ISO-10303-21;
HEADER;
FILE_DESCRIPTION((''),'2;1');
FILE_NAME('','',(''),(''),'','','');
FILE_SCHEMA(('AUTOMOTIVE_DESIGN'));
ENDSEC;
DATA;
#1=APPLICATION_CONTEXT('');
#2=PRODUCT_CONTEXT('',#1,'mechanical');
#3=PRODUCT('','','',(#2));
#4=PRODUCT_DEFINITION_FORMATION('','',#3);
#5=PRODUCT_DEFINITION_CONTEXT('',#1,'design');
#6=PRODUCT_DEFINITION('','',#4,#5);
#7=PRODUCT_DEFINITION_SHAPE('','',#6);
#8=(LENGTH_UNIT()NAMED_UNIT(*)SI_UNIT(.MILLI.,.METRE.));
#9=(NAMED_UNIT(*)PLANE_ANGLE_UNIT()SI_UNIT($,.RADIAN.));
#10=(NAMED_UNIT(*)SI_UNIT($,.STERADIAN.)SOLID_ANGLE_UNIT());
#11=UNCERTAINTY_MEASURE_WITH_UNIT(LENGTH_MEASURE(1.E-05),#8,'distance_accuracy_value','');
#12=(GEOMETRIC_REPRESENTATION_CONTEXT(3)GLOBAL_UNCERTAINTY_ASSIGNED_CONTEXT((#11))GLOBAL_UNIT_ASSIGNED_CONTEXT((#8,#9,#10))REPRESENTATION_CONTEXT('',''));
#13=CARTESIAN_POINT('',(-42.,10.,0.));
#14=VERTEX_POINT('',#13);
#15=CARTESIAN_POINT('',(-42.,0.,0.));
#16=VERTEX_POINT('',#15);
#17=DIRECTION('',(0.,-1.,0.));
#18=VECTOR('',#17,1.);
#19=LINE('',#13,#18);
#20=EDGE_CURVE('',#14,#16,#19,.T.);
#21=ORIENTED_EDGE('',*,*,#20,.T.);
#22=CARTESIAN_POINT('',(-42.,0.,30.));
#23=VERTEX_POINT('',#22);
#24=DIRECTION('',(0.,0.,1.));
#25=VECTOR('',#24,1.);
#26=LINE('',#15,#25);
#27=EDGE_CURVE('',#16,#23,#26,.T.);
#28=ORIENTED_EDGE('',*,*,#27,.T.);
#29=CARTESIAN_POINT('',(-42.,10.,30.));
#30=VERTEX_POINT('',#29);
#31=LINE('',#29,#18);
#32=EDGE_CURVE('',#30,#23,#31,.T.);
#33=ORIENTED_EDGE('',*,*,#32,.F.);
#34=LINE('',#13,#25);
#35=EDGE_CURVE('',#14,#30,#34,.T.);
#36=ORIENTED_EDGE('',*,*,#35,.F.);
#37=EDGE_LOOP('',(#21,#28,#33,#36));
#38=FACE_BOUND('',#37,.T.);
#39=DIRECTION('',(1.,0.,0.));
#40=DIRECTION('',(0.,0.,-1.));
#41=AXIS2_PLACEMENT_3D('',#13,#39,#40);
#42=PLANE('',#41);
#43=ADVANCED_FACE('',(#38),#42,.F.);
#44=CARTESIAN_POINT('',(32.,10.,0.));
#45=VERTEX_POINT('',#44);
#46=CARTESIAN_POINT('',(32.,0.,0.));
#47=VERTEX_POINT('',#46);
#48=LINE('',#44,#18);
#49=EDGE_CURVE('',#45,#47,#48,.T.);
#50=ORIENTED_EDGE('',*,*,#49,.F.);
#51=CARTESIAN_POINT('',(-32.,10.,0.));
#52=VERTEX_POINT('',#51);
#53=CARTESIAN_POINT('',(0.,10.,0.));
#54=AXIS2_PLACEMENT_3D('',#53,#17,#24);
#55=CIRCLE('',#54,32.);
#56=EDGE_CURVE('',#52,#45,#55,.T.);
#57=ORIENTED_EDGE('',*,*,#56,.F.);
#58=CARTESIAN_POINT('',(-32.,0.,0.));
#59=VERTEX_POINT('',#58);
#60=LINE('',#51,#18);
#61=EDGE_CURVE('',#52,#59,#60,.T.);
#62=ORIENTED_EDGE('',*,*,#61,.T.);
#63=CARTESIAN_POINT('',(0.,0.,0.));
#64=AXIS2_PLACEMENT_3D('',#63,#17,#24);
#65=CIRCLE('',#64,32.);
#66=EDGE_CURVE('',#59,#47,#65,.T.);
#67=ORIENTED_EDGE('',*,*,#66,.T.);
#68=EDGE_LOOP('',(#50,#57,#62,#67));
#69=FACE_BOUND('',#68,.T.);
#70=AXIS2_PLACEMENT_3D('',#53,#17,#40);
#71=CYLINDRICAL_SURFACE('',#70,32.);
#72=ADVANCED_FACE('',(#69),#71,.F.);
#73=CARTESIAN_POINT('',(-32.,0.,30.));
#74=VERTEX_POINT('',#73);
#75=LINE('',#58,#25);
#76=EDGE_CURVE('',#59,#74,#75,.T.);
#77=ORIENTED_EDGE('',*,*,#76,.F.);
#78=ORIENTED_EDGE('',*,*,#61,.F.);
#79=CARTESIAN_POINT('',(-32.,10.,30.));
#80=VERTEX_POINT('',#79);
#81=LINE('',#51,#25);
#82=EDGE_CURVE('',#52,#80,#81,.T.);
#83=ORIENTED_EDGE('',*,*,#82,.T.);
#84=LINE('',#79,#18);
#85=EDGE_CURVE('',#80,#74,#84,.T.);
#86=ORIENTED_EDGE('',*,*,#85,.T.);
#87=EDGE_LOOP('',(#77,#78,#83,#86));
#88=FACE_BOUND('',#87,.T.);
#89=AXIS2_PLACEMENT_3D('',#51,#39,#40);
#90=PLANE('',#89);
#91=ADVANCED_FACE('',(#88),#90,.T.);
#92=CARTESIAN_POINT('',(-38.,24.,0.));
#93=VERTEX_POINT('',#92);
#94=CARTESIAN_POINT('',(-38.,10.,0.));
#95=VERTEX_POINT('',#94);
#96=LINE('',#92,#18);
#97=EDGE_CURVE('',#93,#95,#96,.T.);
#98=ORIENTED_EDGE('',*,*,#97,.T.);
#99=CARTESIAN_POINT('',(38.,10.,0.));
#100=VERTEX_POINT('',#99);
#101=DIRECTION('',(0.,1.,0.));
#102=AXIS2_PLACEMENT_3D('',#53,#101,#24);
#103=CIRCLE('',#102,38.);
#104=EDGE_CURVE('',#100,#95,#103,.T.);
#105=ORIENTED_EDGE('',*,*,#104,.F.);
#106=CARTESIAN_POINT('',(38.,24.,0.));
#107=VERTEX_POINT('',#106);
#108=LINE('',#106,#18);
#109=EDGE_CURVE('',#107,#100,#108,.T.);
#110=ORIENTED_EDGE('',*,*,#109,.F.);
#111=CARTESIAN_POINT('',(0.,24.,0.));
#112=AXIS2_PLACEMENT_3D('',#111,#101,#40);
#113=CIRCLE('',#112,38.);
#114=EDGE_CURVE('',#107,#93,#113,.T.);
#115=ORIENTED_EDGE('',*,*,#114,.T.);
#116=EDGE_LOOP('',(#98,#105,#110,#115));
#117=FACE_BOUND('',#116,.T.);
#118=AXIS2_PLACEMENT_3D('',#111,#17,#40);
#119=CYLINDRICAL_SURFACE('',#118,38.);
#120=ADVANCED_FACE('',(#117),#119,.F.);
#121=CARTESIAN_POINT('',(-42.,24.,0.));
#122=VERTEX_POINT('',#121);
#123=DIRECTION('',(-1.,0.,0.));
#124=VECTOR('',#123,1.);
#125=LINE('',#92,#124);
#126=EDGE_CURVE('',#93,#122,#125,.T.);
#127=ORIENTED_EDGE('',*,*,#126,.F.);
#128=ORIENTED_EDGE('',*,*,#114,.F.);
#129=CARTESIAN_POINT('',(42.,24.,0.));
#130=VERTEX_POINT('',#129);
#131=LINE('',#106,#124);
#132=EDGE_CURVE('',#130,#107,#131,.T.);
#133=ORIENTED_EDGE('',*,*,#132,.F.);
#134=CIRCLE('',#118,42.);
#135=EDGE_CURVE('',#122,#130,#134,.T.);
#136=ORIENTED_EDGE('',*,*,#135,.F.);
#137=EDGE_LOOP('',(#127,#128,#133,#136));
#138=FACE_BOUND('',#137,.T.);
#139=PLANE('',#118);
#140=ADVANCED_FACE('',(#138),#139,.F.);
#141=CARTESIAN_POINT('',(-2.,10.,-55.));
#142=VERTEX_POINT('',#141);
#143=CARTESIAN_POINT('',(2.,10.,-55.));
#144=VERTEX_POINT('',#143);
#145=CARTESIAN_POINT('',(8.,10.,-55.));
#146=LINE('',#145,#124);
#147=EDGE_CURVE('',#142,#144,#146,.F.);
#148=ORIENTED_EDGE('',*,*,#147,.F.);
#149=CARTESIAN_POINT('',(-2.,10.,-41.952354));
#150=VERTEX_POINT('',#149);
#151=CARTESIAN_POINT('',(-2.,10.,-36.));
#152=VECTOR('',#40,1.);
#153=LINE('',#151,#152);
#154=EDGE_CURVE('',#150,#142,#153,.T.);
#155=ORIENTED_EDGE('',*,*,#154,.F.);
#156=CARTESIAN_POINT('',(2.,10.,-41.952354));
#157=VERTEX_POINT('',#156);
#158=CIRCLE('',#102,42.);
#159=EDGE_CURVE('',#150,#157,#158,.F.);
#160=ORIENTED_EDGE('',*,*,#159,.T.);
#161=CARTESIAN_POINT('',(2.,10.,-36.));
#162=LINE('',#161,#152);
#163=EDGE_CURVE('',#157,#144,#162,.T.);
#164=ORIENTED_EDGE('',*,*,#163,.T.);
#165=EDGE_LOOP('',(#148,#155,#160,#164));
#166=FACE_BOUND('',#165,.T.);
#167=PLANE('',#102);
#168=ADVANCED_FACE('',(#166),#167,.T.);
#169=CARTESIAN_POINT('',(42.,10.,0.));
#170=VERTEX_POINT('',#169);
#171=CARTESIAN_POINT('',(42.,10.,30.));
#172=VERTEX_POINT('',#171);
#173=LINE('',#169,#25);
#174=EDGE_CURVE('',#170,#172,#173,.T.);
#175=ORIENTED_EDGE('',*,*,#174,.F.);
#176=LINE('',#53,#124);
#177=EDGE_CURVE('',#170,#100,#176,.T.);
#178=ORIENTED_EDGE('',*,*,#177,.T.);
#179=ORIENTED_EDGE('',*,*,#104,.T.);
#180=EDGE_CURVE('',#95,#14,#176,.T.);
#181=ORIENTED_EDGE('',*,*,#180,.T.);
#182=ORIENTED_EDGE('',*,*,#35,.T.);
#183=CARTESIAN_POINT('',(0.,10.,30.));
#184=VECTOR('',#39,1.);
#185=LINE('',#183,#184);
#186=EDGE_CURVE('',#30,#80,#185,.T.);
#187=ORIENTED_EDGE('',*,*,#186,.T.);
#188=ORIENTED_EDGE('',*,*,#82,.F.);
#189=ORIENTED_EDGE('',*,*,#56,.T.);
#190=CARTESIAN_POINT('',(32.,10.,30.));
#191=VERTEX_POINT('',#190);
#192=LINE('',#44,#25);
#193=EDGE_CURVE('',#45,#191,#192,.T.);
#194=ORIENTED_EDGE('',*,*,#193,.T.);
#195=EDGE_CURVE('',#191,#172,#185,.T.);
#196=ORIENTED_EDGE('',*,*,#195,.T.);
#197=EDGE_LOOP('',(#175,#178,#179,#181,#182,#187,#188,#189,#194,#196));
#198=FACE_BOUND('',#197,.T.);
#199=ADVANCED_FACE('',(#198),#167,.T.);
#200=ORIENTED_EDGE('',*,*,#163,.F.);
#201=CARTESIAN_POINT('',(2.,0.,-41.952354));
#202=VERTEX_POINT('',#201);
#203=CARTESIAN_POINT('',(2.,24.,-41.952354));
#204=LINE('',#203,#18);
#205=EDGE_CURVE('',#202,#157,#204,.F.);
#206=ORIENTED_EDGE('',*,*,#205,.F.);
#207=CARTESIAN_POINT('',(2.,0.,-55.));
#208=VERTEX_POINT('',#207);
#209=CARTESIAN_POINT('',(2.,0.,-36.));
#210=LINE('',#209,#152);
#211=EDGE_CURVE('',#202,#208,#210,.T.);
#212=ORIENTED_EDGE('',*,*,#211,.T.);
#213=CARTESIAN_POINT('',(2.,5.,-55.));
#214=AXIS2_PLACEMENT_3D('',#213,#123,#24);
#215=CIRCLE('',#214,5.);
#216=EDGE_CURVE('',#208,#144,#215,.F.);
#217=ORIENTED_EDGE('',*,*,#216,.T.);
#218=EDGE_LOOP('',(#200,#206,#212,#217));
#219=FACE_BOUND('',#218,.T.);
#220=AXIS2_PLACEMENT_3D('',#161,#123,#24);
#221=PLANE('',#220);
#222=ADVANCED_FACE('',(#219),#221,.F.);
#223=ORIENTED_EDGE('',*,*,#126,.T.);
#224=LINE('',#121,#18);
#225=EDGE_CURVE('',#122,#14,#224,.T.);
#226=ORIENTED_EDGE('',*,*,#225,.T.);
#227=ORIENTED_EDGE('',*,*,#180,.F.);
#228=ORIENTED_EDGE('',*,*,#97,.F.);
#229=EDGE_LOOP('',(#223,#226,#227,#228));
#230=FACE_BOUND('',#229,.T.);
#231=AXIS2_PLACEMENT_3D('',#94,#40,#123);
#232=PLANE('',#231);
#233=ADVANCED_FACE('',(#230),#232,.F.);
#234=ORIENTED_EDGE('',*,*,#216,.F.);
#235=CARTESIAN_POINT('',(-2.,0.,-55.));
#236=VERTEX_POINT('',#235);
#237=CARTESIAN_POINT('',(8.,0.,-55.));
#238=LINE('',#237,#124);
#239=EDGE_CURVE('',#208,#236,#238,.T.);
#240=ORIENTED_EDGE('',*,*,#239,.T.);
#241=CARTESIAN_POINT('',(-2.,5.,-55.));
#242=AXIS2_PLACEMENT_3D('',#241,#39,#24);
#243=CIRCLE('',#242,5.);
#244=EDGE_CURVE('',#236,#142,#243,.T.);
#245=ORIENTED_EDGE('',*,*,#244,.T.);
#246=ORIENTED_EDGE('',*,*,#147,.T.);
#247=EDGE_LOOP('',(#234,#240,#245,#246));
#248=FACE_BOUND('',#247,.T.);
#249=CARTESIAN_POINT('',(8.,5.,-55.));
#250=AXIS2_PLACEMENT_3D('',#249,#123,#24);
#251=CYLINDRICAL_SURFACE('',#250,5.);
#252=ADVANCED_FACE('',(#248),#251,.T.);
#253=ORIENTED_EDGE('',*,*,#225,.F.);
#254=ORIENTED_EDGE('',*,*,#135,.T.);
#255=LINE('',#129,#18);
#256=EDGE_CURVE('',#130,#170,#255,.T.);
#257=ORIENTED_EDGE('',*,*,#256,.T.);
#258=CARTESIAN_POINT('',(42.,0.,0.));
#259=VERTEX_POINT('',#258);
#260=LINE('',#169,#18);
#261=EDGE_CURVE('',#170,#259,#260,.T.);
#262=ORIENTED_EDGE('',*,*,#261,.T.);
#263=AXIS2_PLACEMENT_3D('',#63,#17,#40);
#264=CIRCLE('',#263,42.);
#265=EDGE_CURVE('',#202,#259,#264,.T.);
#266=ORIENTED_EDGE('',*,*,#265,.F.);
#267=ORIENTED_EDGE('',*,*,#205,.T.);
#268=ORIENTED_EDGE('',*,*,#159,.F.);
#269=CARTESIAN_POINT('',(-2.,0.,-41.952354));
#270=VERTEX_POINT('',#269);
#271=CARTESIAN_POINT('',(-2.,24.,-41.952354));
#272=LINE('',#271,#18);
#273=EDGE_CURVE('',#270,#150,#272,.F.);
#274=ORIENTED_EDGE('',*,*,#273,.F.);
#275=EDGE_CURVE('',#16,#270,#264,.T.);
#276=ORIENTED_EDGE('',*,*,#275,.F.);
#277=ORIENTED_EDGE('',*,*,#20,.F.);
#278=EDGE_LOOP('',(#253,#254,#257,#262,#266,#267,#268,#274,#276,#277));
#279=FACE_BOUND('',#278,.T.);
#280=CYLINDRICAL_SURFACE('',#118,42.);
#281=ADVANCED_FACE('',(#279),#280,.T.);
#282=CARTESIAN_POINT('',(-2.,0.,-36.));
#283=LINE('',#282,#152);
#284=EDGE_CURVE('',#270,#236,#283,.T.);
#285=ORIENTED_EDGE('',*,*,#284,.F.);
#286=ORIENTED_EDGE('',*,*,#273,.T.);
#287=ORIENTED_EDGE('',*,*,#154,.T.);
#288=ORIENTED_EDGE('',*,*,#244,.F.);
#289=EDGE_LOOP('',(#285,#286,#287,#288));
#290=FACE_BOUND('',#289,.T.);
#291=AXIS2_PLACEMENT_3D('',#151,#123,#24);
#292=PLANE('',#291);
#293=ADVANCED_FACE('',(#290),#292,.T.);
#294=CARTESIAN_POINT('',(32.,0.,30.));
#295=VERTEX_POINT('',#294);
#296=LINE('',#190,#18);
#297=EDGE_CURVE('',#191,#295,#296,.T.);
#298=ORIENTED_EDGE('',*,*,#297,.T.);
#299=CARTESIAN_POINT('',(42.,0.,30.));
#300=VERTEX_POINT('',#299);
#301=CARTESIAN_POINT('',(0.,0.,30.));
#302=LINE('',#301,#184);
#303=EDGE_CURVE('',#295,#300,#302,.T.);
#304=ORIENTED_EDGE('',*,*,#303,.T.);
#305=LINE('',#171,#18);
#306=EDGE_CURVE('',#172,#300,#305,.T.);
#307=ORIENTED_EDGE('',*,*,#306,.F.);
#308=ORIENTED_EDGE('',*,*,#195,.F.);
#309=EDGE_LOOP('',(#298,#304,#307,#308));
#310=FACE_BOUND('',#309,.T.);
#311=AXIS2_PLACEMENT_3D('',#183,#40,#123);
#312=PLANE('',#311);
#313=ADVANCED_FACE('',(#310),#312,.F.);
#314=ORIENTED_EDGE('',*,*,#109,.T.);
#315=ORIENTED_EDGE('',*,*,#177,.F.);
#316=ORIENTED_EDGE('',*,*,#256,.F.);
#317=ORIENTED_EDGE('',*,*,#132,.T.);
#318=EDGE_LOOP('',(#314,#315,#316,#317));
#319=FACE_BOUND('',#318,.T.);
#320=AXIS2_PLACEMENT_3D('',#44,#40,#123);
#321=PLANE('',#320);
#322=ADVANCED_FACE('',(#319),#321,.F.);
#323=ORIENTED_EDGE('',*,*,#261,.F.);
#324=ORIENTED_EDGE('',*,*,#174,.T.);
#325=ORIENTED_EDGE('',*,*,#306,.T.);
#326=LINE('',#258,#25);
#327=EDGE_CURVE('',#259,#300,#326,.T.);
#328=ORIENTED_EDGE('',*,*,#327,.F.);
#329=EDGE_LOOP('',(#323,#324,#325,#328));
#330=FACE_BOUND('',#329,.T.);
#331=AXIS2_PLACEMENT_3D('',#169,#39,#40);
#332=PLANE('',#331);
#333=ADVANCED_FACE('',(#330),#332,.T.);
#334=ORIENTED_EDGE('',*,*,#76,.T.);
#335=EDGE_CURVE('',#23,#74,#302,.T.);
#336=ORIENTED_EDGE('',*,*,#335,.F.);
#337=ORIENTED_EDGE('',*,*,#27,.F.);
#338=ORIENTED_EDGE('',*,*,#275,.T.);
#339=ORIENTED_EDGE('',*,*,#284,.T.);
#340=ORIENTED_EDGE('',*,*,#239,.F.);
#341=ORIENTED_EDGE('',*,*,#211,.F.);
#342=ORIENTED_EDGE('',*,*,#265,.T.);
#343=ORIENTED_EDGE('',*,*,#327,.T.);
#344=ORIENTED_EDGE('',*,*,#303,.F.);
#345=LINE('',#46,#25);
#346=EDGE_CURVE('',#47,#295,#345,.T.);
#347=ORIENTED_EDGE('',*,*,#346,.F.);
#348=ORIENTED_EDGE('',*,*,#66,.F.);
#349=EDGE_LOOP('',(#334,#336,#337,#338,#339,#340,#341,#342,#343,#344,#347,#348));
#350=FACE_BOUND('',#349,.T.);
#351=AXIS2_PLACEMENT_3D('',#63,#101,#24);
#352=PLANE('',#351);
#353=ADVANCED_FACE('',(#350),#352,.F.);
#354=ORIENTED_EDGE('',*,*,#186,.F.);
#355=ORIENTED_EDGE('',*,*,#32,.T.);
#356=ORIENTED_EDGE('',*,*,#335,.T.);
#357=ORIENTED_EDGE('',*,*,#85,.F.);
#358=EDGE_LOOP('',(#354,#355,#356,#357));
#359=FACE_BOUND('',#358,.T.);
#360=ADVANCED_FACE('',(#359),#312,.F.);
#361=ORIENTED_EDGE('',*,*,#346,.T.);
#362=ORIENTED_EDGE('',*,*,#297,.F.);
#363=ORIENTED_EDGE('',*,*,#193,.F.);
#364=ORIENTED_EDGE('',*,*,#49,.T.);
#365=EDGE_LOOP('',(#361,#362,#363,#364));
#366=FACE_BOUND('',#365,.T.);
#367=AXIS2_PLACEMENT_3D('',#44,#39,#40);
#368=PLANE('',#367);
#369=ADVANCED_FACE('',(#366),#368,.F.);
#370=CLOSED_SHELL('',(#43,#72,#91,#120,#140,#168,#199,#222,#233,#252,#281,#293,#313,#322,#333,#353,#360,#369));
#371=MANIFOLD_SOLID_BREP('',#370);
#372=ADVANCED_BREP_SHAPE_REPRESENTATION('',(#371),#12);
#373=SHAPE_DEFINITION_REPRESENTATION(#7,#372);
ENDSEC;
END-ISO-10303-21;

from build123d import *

# Parameters (mm, degrees)
EXTRUDE_1_DEPTH     = 10
EXTRUDE_2_DEPTH     = 24
SKETCH_3_W          = 4
SKETCH_3_H          = 24
SKETCH_3_W_2        = 10
SKETCH_3_H_2        = 30
EXTRUDE_3_DEPTH     = 10
CUT_EXTRUDE_1_DEPTH = 10


with BuildPart() as part:
    # 草图1 → 凸台-拉伸1 (new body)
    with BuildSketch(Plane(origin=(0, 0, 0), x_dir=(1, 0, 0), z_dir=(0, 1, 0))):
        with BuildLine():
            Line((-38, 0), (-32, 0))
            ThreePointArc((-32, 0), (0, 32), (32, 0))
            Line((32, 0), (38, 0))
            ThreePointArc((38, 0), (0, 38), (-38, 0))
        make_face()
    extrude(amount=EXTRUDE_1_DEPTH)

    # 草图2 → 凸台-拉伸2 (add)
    with BuildSketch(Plane.XZ):
        with BuildLine():
            Line((-38, 0), (-42, 0))
            ThreePointArc((-42, 0), (0, -42), (42, 0))
            Line((42, 0), (38, 0))
            ThreePointArc((38, 0), (0, -38), (-38, 0))
        make_face()
    extrude(amount=-EXTRUDE_2_DEPTH)

    # 草图3 → 凸台-拉伸3 (add)
    with BuildSketch(Plane.XZ):
        with Locations((0, -48)):
            Rectangle(SKETCH_3_W, SKETCH_3_H)
        with Locations((-37, 15)):
            Rectangle(SKETCH_3_W_2, SKETCH_3_H_2)
        with Locations((37, 15)):
            Rectangle(SKETCH_3_W_2, SKETCH_3_H_2)
    extrude(amount=-EXTRUDE_3_DEPTH)

    # 草图4 → 切除-拉伸1 (cut)
    with BuildSketch(Plane.ZY.offset(2)):
        with BuildLine():
            Line((-55, 10), (-63.230439801, 10))
            Line((-63.230439801, 10), (-63.230439801, 0))
            Line((-63.230439801, 0), (-55, 0))
            ThreePointArc((-55, 0), (-60, 5), (-55, 10))
        make_face()
    extrude(amount=-CUT_EXTRUDE_1_DEPTH, mode=Mode.SUBTRACT)


solid = part.part
